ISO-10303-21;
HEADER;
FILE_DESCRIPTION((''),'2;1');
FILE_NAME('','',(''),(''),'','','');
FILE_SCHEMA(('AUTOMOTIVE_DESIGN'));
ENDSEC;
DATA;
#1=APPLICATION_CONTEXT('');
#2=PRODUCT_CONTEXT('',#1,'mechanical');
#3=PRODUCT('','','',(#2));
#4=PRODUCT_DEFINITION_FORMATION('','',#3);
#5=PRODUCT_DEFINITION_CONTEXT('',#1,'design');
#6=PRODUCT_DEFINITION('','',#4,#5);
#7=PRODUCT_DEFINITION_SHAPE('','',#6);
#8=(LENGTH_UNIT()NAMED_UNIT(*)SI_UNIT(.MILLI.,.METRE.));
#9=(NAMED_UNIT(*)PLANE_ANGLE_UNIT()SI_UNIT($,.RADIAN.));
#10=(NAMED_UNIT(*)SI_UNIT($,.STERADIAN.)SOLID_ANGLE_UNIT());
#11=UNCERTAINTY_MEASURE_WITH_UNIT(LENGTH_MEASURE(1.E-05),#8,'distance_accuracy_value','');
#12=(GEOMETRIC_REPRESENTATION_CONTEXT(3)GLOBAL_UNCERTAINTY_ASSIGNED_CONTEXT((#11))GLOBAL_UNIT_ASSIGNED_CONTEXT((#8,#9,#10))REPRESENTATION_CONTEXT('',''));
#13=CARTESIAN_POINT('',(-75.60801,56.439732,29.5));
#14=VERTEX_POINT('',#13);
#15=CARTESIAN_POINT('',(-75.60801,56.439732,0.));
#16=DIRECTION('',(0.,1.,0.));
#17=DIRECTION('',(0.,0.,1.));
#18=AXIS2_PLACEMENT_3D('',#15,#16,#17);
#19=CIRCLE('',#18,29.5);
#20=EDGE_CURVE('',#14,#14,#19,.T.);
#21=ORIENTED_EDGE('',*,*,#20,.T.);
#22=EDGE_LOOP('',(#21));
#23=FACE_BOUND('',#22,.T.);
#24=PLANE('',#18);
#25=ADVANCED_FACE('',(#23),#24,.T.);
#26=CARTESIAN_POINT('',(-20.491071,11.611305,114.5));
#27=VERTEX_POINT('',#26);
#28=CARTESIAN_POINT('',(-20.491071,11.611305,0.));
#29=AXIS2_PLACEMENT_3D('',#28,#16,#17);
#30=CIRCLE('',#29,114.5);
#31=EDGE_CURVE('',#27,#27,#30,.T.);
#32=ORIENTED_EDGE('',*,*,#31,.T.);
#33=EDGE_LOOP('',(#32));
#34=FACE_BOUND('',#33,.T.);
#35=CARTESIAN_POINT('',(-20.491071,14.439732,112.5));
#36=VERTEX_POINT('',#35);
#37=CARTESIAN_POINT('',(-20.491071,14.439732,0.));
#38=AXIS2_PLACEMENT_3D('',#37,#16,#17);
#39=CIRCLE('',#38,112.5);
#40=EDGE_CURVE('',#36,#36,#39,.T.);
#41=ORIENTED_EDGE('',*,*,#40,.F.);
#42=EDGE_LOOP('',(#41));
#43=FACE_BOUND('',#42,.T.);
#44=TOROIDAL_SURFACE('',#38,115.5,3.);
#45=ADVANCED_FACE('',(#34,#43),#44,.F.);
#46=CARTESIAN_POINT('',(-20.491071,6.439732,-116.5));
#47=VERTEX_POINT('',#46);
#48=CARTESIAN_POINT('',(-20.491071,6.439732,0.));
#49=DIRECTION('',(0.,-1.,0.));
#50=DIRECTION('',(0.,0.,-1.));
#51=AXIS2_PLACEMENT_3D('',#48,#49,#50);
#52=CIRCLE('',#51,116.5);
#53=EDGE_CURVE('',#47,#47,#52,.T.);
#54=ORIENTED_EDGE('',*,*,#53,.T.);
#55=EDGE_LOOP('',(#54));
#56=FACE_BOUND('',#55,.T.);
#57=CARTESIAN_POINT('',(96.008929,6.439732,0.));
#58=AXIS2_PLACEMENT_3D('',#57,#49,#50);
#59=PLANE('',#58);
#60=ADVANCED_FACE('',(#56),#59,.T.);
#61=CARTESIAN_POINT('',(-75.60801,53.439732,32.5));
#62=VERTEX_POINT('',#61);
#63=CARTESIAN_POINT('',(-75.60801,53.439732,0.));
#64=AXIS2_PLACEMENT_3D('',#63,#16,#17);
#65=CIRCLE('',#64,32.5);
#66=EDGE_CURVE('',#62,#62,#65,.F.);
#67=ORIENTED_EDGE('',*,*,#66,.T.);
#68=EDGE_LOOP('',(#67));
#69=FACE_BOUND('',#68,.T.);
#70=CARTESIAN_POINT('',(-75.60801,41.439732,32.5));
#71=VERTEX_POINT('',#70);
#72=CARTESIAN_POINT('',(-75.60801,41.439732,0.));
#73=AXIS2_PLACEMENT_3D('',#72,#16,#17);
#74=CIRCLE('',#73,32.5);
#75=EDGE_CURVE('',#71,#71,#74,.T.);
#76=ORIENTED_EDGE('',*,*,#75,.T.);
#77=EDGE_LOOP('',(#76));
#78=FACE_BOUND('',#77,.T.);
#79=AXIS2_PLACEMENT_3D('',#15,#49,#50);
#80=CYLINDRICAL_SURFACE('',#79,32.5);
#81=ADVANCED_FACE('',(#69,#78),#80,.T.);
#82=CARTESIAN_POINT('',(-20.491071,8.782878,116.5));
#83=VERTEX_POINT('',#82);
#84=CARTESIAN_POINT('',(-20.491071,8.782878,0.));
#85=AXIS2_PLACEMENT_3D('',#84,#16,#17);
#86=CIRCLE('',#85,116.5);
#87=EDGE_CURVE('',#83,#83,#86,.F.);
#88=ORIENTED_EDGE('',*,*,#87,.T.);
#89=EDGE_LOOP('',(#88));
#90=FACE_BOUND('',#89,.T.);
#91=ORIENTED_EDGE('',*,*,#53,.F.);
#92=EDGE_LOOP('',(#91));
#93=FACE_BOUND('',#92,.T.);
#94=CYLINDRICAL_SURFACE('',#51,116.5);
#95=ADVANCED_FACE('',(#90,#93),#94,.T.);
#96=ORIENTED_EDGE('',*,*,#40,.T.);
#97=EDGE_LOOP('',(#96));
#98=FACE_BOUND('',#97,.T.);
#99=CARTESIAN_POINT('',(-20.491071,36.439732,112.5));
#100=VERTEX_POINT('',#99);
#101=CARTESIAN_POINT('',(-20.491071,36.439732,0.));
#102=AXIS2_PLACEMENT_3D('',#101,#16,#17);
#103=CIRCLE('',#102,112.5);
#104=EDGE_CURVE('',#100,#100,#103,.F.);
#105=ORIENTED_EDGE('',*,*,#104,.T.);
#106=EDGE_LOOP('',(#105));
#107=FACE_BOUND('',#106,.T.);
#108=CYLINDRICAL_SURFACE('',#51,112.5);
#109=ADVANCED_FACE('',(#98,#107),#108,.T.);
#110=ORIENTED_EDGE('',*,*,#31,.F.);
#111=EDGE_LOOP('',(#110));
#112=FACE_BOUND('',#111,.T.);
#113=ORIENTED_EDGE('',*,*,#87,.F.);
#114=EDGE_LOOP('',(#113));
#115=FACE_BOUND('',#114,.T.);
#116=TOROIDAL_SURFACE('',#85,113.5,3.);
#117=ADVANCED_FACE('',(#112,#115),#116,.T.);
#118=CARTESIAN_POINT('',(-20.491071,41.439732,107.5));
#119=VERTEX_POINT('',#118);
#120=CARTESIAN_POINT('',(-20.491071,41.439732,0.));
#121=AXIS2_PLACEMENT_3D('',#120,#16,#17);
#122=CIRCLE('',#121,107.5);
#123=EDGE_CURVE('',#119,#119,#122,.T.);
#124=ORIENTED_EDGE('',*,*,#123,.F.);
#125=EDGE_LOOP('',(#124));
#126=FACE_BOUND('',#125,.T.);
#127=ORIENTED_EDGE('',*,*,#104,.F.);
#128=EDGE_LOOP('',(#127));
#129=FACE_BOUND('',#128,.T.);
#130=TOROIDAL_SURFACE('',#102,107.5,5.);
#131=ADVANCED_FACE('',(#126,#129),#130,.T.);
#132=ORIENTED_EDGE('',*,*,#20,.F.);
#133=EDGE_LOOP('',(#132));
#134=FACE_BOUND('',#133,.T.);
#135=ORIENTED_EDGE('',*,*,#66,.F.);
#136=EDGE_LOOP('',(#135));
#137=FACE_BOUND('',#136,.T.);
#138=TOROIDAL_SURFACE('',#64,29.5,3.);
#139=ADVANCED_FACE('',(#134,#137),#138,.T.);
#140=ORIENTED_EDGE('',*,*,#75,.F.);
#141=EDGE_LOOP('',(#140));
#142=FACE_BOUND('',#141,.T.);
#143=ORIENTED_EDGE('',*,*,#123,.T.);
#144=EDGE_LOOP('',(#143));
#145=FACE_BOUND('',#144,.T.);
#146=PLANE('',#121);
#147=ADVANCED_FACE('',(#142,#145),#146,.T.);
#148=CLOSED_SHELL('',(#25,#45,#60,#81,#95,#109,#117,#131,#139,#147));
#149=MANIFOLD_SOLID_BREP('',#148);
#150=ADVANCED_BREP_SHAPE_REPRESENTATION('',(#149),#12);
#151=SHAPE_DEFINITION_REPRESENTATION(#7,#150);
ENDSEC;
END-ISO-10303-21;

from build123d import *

# Parameters (mm, degrees)
FILLET2_R           = 3
FILLET3_R           = 3
FILLET4_R           = 5
SKETCH4_R           = 32.5
BOSS_EXTRUDE3_DEPTH = 15
FILLET6_R           = 3


with BuildPart() as part:
    # Sketch1 → Revolve1 (revolve)
    with BuildSketch(Plane.XY):
        Polygon((-20.491071429, 41.439732143), (92.008928571, 41.439732143), (92.008928571, 11.439732143), (96.008928571, 11.439732143), (96.008928571, 6.439732143), (-20.491071429, 6.439732143), align=None)
    revolve(axis=Axis((-20.491071429, 6.439732143, 0), (0, 1, 0)))

    # Fillet2
    fillet2_edges = [part.edges().sort_by_distance(p)[0] for p in [
        (-132.991071429, 11.439732143, 0),
    ]]
    fillet(fillet2_edges, radius=FILLET2_R)

    # Fillet3
    fillet3_edges = [part.edges().sort_by_distance(p)[0] for p in [
        (-136.991071429, 11.439732143, 0),
    ]]
    fillet(fillet3_edges, radius=FILLET3_R)

    # Fillet4
    fillet4_edges = [part.edges().sort_by_distance(p)[0] for p in [
        (-132.991071429, 41.439732143, 0),
    ]]
    fillet(fillet4_edges, radius=FILLET4_R)

    # Sketch4 → Boss-Extrude3 (add)
    with BuildSketch(Plane(origin=(0, 41.439732143, 0), x_dir=(1, 0, 0), z_dir=(0, 1, 0))):
        with Locations((-75.608010417, 0)):
            Circle(SKETCH4_R)
    extrude(amount=BOSS_EXTRUDE3_DEPTH)

    # Fillet6
    fillet6_edges = [part.edges().sort_by_distance(p)[0] for p in [
        (-108.108010417, 56.439732143, 0),
    ]]
    fillet(fillet6_edges, radius=FILLET6_R)


solid = part.part
